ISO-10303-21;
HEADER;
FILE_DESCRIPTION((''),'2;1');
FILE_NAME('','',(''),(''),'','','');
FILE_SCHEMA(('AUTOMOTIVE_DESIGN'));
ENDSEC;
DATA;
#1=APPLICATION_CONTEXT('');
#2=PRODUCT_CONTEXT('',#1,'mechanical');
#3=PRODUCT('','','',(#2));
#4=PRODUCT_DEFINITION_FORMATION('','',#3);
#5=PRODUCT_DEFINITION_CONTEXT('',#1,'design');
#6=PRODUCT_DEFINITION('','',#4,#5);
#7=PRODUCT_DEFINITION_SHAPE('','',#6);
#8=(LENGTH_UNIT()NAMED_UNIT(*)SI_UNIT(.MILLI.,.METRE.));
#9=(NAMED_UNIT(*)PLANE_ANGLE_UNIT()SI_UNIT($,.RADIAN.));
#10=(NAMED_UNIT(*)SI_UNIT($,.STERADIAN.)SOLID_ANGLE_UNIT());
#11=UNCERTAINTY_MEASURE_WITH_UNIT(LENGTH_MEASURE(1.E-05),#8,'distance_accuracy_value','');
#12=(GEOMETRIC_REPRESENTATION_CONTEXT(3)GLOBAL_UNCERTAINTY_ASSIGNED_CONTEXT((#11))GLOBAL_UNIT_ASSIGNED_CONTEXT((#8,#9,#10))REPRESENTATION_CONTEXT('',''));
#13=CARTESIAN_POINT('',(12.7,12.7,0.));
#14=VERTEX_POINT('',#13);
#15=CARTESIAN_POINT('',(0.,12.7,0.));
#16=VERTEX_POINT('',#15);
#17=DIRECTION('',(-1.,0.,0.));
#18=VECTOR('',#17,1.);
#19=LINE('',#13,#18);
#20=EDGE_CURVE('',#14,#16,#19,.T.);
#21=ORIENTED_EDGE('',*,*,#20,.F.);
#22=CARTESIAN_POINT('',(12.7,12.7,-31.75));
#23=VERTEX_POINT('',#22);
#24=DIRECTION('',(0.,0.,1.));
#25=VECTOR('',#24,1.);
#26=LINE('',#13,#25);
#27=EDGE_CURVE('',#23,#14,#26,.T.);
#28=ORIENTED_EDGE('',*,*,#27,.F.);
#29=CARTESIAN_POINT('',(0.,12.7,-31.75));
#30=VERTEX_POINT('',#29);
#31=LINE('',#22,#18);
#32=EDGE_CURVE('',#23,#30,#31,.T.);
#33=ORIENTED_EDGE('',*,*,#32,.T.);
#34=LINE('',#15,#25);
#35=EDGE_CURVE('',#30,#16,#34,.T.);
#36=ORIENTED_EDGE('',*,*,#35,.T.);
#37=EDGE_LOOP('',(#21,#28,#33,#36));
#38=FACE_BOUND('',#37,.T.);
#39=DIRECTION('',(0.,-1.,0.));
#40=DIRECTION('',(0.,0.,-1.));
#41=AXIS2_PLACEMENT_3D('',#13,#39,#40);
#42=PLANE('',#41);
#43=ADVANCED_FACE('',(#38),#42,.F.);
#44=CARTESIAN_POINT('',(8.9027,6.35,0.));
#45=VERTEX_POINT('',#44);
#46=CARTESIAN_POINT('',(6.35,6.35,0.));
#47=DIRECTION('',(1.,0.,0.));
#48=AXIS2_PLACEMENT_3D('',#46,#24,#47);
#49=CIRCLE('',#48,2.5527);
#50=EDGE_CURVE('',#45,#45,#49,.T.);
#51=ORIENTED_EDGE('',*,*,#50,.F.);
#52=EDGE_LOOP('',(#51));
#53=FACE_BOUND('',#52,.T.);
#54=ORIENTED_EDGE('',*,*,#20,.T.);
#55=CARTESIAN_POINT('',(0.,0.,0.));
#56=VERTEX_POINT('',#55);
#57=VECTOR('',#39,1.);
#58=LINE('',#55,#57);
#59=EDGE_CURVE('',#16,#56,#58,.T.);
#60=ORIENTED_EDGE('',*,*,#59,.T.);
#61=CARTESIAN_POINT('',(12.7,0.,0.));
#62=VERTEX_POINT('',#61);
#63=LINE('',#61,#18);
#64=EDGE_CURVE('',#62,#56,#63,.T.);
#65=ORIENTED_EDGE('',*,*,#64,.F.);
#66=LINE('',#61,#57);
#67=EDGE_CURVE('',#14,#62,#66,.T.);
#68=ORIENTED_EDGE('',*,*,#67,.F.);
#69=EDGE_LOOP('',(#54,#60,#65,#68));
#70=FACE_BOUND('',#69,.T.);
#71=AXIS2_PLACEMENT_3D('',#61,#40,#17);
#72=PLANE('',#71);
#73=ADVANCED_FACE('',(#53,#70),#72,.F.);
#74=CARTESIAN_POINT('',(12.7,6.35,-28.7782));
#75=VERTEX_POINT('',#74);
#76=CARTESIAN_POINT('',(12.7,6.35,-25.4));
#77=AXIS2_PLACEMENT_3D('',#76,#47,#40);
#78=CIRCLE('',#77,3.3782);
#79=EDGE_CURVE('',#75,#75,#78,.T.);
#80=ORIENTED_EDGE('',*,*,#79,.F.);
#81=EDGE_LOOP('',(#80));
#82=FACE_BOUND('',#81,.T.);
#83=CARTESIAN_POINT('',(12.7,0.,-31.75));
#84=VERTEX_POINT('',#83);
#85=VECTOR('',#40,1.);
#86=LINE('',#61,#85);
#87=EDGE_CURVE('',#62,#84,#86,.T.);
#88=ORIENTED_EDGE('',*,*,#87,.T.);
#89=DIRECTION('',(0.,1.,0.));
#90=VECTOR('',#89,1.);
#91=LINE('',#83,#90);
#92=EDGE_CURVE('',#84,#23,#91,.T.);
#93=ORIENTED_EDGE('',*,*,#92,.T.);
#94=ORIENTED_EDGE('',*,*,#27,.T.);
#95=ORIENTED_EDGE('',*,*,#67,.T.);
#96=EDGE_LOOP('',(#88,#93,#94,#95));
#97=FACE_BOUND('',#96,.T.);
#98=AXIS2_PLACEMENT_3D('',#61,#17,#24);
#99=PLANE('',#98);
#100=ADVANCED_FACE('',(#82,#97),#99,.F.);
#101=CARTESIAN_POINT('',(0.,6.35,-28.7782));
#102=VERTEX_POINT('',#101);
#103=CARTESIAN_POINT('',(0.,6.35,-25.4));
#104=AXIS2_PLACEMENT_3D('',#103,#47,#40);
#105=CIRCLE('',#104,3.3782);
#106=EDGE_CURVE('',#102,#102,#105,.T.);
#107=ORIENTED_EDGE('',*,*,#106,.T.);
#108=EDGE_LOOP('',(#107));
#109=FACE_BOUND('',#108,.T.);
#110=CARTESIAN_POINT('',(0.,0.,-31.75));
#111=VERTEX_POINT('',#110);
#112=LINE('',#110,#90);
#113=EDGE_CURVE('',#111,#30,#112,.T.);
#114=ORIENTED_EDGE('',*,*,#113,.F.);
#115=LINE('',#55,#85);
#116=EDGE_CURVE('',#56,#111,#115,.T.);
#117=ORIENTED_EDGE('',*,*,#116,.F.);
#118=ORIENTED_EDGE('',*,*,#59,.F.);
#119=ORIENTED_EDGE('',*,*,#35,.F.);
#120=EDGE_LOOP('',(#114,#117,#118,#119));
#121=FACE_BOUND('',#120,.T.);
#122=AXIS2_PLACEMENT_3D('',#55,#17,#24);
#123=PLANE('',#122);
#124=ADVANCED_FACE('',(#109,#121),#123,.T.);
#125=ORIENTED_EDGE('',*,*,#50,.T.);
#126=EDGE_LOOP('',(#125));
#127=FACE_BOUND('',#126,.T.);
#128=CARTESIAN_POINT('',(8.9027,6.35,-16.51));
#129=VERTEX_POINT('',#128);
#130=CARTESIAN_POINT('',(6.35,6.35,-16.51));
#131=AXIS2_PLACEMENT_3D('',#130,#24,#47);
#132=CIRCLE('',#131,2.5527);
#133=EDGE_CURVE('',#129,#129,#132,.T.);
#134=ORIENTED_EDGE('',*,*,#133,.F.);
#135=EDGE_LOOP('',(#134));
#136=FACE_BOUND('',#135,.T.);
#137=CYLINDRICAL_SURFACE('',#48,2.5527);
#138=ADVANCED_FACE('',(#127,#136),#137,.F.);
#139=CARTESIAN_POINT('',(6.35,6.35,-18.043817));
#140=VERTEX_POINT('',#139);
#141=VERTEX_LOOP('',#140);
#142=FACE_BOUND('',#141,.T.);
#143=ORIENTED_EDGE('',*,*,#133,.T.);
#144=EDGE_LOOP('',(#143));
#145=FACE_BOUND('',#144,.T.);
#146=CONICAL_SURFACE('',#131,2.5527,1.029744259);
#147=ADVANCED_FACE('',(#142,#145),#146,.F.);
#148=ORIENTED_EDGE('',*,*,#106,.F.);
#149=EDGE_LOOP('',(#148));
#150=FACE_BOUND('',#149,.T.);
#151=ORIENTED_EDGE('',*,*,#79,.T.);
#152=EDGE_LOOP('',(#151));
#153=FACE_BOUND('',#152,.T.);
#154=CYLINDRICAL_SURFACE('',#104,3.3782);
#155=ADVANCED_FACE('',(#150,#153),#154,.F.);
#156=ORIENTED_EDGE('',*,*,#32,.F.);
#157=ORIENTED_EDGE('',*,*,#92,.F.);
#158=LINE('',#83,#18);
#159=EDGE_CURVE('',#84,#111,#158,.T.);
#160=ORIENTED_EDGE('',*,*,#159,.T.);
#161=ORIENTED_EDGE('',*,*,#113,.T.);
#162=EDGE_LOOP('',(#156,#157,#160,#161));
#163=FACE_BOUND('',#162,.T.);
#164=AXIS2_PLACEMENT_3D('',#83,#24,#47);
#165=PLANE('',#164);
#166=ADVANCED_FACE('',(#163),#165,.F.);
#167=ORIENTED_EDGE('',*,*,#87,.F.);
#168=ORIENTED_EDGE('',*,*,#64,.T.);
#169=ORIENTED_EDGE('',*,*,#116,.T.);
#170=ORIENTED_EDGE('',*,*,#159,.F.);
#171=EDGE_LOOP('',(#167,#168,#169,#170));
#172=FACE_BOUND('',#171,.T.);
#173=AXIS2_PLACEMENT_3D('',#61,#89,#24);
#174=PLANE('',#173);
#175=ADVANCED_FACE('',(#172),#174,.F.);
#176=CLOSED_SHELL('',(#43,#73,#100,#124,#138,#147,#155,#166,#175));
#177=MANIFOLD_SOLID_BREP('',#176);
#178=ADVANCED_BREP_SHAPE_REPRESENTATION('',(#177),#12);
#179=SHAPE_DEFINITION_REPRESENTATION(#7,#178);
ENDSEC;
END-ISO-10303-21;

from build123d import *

# Parameters (mm, degrees)
SKETCH1_W                   = 31.75
SKETCH1_H                   = 12.7
BOSS_EXTRUDE1_DEPTH         = 12.7
F_1_4_20_TAPPED_HOLE1_D     = 5.1054
F_1_4_20_TAPPED_HOLE1_DEPTH = 16.51
F_1_4_20_TAPPED_HOLE1_TIP   = 1.533816902
SKETCH4_R                   = 3.3782
CUT_EXTRUDE1_DEPTH          = 13.7


with BuildPart() as part:
    # Sketch1 → Boss-Extrude1 (new body)
    with BuildSketch(Plane(origin=(0, 0, 0), x_dir=(0, 0, -1), z_dir=(1, 0, 0))):
        with Locations((15.875, 6.35)):
            Rectangle(SKETCH1_W, SKETCH1_H)
    extrude(amount=BOSS_EXTRUDE1_DEPTH)

    # 1/4-20 Tapped Hole1
    with Locations(Plane.XY):
        with Locations((6.35, 6.35)):
            Hole(F_1_4_20_TAPPED_HOLE1_D / 2, depth=F_1_4_20_TAPPED_HOLE1_DEPTH)
            with Locations((0, 0, -(F_1_4_20_TAPPED_HOLE1_DEPTH + F_1_4_20_TAPPED_HOLE1_TIP / 2))):  # 118° drill point
                Cone(0, F_1_4_20_TAPPED_HOLE1_D / 2, F_1_4_20_TAPPED_HOLE1_TIP, mode=Mode.SUBTRACT)

    # Sketch4 → Cut-Extrude1 (cut, through all)
    with BuildSketch(Plane(origin=(12.7, 0, 0), x_dir=(0, 0, -1), z_dir=(1, 0, 0))):
        with Locations((25.4, 6.35)):
            Circle(SKETCH4_R)
    extrude(amount=-CUT_EXTRUDE1_DEPTH, mode=Mode.SUBTRACT)


solid = part.part
